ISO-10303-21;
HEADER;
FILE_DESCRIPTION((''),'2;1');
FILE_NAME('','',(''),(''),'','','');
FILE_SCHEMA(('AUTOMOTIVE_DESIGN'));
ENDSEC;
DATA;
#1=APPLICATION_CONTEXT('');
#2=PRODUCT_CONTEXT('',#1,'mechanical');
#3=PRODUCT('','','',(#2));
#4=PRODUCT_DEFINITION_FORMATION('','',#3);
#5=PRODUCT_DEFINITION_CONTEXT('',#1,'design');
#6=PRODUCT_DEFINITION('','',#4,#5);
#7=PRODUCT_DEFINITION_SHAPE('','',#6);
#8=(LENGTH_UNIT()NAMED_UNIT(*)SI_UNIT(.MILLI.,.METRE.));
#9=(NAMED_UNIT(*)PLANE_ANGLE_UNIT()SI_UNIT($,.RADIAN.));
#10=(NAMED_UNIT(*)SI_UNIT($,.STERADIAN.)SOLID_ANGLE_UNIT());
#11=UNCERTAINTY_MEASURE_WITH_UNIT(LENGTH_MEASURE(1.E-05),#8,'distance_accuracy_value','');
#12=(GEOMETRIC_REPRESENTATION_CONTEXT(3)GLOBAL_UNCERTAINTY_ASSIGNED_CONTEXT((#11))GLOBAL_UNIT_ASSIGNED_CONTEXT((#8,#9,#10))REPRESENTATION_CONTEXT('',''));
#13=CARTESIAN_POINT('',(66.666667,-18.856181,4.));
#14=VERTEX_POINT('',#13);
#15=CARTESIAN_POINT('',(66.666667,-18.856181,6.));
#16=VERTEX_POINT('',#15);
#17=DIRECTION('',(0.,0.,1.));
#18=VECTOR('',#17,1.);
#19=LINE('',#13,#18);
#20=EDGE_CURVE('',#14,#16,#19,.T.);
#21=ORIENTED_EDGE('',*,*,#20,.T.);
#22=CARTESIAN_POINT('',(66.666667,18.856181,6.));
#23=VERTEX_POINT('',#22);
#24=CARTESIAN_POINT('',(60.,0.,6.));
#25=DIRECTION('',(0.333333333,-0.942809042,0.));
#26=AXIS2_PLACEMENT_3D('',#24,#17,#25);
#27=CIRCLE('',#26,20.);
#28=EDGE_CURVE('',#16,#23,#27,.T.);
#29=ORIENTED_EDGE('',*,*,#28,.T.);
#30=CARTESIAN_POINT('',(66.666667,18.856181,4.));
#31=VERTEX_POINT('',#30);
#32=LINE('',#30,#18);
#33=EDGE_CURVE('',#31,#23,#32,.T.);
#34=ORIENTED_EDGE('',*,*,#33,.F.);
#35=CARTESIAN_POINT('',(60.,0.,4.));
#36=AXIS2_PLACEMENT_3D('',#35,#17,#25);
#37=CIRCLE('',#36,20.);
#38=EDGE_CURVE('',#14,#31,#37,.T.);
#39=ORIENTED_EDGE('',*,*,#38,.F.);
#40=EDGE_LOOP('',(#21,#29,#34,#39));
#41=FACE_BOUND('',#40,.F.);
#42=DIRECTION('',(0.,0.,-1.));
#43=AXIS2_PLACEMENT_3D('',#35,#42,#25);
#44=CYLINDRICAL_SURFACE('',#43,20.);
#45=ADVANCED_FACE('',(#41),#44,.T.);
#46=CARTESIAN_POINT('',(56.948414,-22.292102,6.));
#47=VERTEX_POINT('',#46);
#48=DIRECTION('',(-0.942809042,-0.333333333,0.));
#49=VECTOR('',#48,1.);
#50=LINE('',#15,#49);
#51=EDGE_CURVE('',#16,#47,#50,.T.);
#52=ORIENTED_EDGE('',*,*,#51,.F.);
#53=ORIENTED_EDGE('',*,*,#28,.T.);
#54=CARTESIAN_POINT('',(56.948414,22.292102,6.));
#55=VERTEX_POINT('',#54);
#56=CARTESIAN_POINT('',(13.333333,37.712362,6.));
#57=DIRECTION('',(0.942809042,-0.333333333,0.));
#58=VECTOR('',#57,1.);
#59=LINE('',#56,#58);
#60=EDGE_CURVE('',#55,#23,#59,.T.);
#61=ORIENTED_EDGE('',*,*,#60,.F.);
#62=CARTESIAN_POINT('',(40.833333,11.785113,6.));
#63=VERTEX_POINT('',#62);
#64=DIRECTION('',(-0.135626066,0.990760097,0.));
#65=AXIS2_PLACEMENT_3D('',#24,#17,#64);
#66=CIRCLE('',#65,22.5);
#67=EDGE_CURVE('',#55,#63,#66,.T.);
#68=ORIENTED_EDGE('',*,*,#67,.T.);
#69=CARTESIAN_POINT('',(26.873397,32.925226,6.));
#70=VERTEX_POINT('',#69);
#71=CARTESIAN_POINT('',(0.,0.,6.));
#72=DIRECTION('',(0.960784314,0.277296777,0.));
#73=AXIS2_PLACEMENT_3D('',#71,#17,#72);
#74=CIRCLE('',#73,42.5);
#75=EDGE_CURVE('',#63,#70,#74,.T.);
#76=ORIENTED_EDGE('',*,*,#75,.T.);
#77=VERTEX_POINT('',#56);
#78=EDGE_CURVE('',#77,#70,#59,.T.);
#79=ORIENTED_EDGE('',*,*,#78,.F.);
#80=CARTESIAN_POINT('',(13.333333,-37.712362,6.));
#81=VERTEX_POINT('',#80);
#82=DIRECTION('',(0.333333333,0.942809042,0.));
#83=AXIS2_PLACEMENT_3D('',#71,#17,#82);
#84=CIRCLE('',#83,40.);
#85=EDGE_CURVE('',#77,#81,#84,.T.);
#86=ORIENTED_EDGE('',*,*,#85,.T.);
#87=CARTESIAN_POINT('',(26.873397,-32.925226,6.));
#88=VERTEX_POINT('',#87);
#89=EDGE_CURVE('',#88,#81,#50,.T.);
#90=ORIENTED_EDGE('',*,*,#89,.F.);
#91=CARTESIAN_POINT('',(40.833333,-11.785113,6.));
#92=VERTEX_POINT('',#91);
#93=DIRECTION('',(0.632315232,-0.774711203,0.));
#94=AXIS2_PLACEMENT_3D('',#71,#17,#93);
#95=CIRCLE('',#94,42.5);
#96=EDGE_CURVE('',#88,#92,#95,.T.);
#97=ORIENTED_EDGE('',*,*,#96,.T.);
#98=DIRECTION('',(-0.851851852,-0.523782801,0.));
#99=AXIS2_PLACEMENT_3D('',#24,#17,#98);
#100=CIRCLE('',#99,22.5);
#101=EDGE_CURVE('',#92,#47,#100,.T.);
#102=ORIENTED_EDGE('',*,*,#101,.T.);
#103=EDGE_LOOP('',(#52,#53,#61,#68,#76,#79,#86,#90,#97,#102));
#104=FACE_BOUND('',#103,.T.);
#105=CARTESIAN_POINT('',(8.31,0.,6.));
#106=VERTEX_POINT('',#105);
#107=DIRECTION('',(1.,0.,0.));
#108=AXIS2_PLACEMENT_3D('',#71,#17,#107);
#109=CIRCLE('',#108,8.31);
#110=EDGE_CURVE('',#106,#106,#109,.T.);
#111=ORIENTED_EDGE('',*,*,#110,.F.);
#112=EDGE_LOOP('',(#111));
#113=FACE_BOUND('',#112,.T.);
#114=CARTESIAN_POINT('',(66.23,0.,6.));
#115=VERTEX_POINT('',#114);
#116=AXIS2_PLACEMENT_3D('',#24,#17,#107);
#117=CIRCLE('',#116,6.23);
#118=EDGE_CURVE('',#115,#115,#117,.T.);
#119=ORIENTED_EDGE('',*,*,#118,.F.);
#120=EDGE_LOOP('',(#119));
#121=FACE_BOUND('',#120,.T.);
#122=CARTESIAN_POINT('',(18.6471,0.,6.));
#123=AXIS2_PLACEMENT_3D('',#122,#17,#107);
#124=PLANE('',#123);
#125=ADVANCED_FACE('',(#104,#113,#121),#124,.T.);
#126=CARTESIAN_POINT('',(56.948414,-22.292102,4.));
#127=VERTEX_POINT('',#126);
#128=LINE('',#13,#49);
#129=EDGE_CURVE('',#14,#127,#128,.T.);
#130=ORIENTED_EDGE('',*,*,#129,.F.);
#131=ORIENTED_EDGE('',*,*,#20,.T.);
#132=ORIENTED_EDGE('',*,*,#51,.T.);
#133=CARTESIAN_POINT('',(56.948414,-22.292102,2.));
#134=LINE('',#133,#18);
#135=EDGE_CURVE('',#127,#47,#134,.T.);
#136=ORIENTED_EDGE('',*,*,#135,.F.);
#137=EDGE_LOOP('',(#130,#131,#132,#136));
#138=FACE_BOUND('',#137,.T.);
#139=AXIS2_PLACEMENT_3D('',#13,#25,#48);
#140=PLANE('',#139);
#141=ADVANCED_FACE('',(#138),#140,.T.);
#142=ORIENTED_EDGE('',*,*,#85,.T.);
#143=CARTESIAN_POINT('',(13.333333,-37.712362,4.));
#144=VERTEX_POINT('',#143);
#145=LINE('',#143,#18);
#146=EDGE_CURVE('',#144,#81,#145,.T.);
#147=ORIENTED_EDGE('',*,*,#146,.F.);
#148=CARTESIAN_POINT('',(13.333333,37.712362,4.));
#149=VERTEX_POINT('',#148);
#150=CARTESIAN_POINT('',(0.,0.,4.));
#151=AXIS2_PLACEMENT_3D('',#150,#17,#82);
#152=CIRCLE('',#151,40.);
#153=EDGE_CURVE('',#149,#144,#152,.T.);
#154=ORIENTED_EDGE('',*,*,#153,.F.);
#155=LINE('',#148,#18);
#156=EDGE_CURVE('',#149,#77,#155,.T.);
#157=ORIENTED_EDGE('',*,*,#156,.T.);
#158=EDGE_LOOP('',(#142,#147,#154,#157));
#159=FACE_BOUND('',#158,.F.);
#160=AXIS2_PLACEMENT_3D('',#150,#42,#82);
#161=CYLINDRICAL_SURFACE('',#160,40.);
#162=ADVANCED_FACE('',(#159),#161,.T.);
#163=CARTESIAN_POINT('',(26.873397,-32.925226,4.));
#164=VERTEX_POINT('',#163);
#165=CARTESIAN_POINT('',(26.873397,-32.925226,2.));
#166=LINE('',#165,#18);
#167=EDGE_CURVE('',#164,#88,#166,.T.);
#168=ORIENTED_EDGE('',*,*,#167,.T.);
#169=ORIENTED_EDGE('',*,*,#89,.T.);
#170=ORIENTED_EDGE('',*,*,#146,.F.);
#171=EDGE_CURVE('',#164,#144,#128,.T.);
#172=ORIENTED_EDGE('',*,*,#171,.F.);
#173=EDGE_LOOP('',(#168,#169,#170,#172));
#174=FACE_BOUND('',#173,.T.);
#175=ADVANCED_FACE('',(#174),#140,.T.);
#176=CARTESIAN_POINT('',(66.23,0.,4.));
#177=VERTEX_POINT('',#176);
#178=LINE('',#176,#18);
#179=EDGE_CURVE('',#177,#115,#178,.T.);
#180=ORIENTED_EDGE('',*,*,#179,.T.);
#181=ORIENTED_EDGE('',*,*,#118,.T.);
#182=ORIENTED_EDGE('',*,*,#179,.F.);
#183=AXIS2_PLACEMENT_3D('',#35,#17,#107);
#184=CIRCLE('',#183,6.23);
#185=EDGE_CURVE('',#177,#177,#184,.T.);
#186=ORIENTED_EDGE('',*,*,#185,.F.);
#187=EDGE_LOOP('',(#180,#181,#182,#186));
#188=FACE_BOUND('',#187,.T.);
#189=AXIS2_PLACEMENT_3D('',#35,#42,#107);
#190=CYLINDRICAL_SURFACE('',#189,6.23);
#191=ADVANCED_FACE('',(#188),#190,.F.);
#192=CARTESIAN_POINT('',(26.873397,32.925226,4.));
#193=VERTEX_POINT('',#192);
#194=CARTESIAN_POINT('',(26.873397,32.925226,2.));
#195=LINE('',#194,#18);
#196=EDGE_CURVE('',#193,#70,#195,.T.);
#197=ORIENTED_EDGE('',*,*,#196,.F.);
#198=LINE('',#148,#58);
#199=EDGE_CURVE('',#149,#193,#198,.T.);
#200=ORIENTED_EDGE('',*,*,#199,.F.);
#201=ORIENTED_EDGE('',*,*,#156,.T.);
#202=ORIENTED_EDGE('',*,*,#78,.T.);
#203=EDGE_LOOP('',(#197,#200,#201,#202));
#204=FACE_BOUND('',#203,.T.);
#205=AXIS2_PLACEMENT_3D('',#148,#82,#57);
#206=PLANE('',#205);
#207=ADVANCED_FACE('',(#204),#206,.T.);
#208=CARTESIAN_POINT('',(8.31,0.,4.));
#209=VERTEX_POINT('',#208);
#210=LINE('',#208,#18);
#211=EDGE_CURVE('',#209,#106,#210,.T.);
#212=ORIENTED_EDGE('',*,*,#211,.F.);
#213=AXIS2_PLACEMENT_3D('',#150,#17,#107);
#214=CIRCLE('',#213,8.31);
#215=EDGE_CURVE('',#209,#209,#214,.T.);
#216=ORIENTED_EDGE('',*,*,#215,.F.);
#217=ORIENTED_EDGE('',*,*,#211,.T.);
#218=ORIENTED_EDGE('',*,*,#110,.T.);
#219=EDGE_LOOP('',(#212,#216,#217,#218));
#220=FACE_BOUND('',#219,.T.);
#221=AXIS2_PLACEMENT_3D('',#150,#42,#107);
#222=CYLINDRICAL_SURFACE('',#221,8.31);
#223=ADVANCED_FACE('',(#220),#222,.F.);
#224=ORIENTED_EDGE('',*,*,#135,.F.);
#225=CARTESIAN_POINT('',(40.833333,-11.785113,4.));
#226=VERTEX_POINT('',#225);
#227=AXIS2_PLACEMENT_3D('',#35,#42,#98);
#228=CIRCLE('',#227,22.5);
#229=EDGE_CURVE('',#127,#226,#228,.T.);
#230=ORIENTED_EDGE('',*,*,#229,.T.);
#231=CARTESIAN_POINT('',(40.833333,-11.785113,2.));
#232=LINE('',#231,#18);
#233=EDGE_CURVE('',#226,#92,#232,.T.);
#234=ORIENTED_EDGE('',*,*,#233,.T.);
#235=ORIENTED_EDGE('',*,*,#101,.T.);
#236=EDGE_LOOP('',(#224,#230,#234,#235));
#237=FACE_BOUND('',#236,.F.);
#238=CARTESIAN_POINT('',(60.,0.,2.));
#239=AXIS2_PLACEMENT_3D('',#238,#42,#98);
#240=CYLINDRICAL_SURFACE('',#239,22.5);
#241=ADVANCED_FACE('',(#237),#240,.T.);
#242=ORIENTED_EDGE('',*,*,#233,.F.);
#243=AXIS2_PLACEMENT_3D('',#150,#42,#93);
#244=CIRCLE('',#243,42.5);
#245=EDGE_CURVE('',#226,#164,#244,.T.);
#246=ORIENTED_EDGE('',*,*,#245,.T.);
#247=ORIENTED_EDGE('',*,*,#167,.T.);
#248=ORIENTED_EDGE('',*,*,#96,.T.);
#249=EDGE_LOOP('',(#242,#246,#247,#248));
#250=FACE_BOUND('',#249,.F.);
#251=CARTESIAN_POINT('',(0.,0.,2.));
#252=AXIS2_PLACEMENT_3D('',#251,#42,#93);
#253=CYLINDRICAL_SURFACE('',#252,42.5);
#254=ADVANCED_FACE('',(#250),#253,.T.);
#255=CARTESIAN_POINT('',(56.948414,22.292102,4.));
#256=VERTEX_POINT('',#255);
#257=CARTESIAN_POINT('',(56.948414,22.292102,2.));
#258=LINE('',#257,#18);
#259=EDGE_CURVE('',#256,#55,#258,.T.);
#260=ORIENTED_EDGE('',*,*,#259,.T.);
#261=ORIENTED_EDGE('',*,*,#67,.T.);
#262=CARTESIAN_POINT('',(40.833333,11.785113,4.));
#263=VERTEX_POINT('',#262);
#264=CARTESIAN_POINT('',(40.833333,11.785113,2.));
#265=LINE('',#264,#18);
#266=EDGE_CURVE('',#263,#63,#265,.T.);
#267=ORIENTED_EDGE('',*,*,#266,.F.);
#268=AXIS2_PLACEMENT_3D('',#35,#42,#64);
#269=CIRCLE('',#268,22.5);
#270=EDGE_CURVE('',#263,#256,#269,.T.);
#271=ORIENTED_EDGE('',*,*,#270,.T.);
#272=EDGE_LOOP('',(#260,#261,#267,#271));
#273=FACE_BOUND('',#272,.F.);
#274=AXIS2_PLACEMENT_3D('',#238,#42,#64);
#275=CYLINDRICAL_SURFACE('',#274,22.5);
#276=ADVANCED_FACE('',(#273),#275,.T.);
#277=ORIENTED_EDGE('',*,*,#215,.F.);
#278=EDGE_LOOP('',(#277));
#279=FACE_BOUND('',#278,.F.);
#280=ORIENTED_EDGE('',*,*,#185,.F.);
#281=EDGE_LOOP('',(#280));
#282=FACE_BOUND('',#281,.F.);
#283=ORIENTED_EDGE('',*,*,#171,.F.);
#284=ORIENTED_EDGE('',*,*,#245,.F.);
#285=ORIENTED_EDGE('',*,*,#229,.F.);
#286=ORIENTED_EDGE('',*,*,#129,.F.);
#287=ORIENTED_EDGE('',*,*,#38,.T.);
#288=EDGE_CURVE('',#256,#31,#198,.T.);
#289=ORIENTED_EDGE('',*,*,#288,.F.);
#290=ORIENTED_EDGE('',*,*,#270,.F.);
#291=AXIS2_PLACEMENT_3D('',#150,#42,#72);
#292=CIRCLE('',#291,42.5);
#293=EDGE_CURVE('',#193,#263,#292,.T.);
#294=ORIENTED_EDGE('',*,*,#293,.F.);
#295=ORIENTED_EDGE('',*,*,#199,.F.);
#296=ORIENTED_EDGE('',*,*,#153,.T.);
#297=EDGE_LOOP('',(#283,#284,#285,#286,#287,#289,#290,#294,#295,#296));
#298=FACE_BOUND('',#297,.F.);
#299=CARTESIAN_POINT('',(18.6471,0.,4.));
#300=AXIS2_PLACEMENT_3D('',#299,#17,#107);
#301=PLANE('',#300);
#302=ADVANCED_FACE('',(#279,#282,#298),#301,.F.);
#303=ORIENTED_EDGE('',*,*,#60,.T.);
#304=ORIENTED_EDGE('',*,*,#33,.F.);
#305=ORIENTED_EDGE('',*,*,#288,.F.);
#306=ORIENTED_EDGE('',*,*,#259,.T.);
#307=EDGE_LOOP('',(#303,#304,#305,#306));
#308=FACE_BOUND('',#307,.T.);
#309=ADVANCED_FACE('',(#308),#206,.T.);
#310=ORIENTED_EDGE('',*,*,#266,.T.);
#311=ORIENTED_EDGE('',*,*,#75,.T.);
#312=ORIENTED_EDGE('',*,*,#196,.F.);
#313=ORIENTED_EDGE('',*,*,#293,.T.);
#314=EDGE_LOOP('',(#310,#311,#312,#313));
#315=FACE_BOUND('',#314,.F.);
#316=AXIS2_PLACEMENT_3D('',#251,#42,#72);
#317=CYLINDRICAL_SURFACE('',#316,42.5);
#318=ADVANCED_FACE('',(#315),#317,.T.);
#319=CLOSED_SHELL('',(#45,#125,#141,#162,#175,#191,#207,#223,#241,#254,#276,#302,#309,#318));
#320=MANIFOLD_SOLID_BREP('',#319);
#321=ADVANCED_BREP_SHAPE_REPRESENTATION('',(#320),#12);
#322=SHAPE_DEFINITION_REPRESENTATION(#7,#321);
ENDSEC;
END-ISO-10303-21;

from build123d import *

# Parameters (mm, degrees)
EXTRUDE009_DEPTH = 4
SKETCH003_R      = 8.31
SKETCH003_R_2    = 6.23
EXTRUDE003_DEPTH = 2


with BuildPart() as juncao:
    # Sketch012 (on Face8 of Extrude002) → Extrude009 (new body)
    with BuildSketch(Plane.XY.offset(2)):
        with BuildLine():
            ThreePointArc((26.8733973411, -32.9252261245), (35.4651440174, -23.4195123738), (40.8333333333, -11.7851130198))
            ThreePointArc((40.8333333333, -11.7851130198), (47.7113101314, -18.8477611751), (56.9484135086, -22.2921021863))
            Line((56.9484135086, -22.2921021863), (26.8733973411, -32.9252261245))
        make_face()
        with BuildLine():
            ThreePointArc((56.9484135086, 22.2921021863), (47.7113101314, 18.8477611751), (40.8333333333, 11.7851130198))
            ThreePointArc((40.8333333333, 11.7851130198), (35.4651440174, 23.4195123738), (26.8733973411, 32.9252261245))
            Line((56.9484135086, 22.2921021863), (26.8733973411, 32.9252261245))
        make_face()
    extrude(amount=EXTRUDE009_DEPTH)


with BuildPart() as tampo:
    # Sketch003 (on Face5 of Cut) → Extrude003 (new body)
    with BuildSketch(Plane.XY.offset(4)):
        with BuildLine():
            ThreePointArc((13.3333333333, 37.7123616633), (-40, 0), (13.3333333333, -37.7123616633))
            Line((66.6666666667, -18.8561808316), (13.3333333333, -37.7123616633))
            ThreePointArc((66.6666666667, -18.8561808316), (80, 0), (66.6666666667, 18.8561808316))
            Line((13.3333333333, 37.7123616633), (66.6666666667, 18.8561808316))
        make_face()
        Circle(SKETCH003_R, mode=Mode.SUBTRACT)
        with Locations((60, 0)):
            Circle(SKETCH003_R_2, mode=Mode.SUBTRACT)
    extrude(amount=EXTRUDE003_DEPTH)

    # Cut003: cut Juncao
    add(juncao.part, mode=Mode.SUBTRACT)


solid = tampo.part
